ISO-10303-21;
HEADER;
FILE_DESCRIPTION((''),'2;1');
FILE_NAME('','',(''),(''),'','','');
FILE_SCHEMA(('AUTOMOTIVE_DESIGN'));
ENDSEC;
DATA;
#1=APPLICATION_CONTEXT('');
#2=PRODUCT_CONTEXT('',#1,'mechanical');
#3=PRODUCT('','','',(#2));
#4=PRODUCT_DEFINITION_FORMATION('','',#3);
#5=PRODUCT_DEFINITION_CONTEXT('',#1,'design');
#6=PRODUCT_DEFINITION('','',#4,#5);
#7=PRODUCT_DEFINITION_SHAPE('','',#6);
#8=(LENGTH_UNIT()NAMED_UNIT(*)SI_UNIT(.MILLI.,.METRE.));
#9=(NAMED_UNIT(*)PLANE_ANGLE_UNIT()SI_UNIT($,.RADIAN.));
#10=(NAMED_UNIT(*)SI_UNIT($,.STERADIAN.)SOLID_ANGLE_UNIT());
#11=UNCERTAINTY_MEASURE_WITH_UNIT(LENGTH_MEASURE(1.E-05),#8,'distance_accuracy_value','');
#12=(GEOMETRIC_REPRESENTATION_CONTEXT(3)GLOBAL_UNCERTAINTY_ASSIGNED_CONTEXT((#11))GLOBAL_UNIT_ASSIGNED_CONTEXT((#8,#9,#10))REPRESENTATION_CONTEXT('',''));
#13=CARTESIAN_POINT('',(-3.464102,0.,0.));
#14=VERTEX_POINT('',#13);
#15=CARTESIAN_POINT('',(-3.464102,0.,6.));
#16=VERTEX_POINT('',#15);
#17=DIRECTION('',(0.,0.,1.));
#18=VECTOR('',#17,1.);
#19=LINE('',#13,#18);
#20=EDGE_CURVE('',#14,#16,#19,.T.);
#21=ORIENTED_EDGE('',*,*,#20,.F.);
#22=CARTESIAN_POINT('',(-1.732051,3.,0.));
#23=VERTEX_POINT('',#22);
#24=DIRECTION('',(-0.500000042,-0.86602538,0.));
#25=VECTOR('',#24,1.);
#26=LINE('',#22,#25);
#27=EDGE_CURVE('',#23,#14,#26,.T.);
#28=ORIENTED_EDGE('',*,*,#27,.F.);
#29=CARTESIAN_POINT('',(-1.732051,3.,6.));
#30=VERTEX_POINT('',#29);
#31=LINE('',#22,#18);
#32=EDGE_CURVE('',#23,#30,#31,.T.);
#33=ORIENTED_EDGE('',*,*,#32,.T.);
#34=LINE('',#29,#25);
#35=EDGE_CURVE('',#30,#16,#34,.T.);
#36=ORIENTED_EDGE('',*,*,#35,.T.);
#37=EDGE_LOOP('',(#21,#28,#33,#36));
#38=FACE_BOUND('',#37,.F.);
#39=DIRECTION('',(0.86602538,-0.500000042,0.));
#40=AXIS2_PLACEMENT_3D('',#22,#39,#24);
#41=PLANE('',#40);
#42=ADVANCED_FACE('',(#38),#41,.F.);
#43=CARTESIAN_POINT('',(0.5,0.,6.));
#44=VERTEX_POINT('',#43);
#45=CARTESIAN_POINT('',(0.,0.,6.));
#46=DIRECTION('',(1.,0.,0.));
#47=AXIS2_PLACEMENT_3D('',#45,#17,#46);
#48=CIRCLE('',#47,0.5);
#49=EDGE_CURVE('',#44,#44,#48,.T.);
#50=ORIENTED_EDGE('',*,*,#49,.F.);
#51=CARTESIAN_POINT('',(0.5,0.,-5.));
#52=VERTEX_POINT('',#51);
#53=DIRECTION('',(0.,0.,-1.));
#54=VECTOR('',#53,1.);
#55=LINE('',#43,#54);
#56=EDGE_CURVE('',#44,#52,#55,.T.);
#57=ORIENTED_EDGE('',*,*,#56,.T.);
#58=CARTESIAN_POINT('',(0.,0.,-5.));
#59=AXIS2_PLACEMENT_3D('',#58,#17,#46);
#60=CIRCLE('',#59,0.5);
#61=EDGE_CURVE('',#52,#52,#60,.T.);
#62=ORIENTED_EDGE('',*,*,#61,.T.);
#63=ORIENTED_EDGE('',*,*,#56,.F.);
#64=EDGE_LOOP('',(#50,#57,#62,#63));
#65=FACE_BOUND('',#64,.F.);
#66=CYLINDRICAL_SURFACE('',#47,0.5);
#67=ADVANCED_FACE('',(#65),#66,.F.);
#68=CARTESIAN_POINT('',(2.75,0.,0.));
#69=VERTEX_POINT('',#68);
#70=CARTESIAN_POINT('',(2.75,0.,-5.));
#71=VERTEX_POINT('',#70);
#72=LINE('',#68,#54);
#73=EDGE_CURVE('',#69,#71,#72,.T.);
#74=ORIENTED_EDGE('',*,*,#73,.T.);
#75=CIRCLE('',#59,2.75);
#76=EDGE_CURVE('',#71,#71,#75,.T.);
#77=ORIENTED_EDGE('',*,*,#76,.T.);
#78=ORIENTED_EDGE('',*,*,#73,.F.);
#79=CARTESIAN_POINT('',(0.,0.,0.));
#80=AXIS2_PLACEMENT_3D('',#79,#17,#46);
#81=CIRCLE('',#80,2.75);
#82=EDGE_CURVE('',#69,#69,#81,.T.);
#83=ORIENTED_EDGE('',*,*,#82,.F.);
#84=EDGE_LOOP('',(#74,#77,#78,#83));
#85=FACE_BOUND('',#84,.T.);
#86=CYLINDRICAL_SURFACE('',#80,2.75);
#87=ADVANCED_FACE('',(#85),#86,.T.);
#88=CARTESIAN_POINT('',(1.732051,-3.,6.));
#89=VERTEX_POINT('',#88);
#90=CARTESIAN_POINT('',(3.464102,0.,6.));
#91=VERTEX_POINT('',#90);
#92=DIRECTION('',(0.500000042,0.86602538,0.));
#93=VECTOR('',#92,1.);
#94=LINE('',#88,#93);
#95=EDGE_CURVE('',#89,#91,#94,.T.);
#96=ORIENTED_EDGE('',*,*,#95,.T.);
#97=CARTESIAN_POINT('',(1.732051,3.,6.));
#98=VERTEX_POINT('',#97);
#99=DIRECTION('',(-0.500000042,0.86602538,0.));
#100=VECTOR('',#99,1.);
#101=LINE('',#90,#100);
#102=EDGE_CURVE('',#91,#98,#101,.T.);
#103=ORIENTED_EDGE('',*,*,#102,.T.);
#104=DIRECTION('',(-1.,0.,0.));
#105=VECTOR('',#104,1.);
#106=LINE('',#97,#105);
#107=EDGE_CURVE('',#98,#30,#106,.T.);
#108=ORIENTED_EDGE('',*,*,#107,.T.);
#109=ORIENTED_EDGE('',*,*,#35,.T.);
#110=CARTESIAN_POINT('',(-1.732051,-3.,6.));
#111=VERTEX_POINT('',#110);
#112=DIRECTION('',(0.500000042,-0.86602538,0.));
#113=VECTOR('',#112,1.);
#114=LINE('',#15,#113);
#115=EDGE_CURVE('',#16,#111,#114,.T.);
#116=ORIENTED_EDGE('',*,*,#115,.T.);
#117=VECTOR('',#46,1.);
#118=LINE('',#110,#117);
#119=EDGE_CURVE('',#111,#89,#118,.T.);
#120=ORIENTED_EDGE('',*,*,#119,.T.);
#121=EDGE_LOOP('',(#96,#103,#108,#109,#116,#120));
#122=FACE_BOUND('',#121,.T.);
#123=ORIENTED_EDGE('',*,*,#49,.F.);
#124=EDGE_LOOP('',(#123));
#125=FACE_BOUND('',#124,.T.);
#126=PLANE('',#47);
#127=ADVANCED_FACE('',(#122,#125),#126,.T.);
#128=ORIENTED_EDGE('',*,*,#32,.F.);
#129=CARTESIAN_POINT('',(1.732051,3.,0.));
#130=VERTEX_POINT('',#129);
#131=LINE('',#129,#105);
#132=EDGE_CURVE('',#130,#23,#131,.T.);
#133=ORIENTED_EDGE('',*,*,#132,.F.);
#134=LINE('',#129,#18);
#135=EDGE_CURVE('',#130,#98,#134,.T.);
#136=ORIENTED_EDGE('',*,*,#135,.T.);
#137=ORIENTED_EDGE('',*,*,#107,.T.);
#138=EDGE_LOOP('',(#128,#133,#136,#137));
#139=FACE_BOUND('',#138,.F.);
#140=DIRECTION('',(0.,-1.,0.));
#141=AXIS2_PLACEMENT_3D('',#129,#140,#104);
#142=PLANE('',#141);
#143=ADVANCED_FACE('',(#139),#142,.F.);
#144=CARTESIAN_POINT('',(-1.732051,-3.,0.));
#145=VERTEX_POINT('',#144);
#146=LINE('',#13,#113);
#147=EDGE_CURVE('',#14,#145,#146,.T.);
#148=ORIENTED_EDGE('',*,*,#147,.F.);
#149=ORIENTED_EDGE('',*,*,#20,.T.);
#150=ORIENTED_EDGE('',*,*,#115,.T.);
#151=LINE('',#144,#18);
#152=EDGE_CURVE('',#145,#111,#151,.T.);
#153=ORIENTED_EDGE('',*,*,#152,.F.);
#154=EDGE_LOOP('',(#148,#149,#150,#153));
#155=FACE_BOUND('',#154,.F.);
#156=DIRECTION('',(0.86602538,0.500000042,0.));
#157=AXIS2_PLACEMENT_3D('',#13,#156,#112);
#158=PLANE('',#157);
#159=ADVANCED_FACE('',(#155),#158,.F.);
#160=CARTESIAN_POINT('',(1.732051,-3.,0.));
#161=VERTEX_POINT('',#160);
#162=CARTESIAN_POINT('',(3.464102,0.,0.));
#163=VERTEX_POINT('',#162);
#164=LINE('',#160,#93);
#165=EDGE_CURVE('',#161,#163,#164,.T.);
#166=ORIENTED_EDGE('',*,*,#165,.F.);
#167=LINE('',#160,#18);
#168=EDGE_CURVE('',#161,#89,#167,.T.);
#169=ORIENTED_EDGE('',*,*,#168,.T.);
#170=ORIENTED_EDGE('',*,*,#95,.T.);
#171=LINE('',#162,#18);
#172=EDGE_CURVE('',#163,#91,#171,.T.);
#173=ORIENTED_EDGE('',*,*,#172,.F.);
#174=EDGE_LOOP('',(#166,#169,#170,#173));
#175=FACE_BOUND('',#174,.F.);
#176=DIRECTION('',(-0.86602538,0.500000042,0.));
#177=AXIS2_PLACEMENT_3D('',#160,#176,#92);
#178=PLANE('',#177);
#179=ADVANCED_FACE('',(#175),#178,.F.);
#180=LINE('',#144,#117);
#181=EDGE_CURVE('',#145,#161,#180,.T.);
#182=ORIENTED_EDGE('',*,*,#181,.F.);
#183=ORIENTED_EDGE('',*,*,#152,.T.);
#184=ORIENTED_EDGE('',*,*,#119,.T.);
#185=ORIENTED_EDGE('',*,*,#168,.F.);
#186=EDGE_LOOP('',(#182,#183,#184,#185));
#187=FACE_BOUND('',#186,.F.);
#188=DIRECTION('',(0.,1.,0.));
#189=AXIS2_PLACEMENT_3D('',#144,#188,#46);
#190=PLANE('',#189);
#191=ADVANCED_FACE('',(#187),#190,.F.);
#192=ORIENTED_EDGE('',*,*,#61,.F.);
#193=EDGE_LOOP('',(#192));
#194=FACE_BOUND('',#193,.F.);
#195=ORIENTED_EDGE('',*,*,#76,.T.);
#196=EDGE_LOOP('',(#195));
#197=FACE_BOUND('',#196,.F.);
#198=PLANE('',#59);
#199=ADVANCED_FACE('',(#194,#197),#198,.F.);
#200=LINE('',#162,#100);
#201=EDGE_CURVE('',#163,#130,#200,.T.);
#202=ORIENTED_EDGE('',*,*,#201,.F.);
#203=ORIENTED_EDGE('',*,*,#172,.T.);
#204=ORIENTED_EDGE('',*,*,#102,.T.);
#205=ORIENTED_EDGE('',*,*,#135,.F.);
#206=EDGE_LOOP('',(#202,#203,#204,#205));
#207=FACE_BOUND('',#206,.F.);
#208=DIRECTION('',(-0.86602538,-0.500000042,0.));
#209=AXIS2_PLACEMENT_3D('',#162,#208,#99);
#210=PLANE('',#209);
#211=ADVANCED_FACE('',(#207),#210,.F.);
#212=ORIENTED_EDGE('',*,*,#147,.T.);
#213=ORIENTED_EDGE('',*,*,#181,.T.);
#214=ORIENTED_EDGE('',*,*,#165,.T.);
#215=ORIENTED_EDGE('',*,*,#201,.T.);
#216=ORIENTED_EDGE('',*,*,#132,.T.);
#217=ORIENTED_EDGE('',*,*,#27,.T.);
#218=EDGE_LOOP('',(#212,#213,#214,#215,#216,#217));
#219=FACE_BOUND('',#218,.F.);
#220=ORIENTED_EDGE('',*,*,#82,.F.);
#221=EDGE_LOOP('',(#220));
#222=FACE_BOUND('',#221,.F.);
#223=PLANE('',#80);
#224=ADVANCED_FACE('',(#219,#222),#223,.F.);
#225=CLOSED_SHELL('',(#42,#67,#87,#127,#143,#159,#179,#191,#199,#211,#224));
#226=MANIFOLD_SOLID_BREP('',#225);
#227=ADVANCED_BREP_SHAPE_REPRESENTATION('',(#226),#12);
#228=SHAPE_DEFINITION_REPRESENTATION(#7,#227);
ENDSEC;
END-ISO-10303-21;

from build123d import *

# Parameters (mm, degrees)
F0_R     = 2.75
F1_DEPTH = 5
F3_DEPTH = 6
F4_R     = 0.5
F5_DEPTH = 11.001


with BuildPart() as f1:
    # F0 (on Top) → F1 (new body)
    with BuildSketch(Plane.XY):
        Circle(F0_R)
    extrude(amount=-F1_DEPTH)

    # F2 (on Top) → F3 (join)
    with BuildSketch(Plane.XY):
        Polygon((1.732051, -3), (3.464102, 0), (1.732051, 3), (-1.732051, 3), (-3.464102, 0), (-1.732051, -3), align=None)
    extrude(amount=F3_DEPTH)

    # F4 (on face) → F5 (cut, through all)
    with BuildSketch(Plane.XY.offset(6)):
        Circle(F4_R)
    extrude(amount=-F5_DEPTH, mode=Mode.SUBTRACT)


solid = f1.part
